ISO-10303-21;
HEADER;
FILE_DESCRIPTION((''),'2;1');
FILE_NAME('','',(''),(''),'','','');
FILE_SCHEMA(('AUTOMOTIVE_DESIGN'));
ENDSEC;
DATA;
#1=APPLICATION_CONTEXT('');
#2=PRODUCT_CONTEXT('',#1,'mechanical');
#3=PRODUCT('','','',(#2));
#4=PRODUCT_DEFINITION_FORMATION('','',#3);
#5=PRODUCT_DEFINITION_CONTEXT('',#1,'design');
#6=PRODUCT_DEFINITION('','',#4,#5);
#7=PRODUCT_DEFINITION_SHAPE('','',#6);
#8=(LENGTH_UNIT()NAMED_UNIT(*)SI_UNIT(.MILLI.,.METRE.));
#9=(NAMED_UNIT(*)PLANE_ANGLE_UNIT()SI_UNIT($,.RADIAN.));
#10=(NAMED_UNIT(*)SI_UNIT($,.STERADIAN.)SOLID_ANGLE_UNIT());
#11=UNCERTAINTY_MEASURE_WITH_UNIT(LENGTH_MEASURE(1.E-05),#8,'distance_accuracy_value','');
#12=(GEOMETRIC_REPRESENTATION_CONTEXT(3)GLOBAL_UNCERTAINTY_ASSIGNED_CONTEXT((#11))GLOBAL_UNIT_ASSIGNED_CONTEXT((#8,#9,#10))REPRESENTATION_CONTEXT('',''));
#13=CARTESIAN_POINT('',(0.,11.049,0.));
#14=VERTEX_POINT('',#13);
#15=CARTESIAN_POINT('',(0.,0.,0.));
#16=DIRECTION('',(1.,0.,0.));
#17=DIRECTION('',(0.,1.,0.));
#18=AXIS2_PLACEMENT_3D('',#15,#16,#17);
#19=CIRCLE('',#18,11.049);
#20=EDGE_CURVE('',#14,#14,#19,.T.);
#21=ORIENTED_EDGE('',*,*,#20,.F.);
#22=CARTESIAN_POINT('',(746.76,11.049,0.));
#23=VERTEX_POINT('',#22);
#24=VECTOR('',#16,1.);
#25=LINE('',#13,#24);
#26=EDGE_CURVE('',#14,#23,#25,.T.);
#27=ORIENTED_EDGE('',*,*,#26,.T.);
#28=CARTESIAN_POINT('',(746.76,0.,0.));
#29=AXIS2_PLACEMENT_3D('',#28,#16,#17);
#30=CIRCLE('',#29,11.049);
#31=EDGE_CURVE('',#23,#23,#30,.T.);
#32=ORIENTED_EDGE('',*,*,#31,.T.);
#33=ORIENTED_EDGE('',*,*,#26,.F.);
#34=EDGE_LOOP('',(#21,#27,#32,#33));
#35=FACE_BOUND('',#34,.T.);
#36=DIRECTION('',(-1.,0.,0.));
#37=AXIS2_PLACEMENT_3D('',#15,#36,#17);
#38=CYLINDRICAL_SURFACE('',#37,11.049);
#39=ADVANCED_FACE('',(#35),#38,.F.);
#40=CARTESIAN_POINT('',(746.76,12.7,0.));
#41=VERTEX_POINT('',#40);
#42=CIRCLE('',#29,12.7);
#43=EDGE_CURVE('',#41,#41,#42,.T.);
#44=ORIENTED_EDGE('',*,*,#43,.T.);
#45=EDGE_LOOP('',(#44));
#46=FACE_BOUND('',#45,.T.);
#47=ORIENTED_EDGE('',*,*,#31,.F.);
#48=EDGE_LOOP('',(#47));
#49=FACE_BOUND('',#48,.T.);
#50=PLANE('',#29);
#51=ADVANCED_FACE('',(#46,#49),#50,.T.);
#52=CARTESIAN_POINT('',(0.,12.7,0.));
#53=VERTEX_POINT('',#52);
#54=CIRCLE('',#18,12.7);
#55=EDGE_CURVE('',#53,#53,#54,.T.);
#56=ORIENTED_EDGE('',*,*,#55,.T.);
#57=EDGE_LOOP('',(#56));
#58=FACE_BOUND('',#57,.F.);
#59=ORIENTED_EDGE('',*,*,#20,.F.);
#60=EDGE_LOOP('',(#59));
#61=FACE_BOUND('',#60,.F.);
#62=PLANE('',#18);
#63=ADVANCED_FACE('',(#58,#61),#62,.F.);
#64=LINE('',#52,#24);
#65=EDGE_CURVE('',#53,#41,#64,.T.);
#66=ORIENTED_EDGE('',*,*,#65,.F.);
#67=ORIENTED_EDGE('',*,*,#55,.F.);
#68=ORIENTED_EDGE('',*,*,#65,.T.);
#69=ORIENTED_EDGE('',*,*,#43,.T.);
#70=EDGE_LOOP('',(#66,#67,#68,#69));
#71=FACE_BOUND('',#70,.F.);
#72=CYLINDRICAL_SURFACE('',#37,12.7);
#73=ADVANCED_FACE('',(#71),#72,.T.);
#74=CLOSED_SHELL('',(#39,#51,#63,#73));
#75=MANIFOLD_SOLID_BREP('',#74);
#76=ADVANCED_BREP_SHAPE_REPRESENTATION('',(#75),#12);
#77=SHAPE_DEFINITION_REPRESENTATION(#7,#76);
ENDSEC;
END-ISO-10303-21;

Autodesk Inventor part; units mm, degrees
ref_plane "XZ Plane" through (0, 0, 0) normal (0, 1, 0) x (-1, 0, 0)
ref_plane "Start Plane" through (0, 0, 0) normal (1, 0, 0) x (0, 1, 0)
ref_plane "End Plane" through (746.76, 0, 0) normal (1, 0, 0) x (0, 1, 0)
sketch "Sketch" plane through (0, 0, 0) normal (1, 0, 0) x (0, 1, 0)
  circle A0 centre (0, 0) radius 12.7
  circle A1 centre (0, 0) radius 11.049
  dimension "d0" = 25.4
  dimension "d1" = 1.651
extrude "Body" add sketch "Sketch" along normal up to surface (746.76 mm away) from surface at 0
sketch "Sketch2" plane through (0, 0, 0) normal (1, 0, 0) x (0, 1, 0)
  line L0 (0, 0) -> (10, 0)
ref_plane "Work Plane3" through (0, 0, 0) normal (0, 0, -1) x (0, 1, 0)
sketch "Sketch3" plane through (0, 0, 0) normal (0, 0, -1) x (0, 1, 0)
  line L0 (-2, 0) -> (12, 0)
  line L1 (-2, 746.76) -> (12, 746.76)
  dimension "d9" = 746.76
equation "\"G_OFFSET_START\" = 0"
equation "\"G_OFFSET_END\" = 0"
equation "\"d5\" = d2 + G_OFFSET_END"
equation "\"G_L\" = d9"
equation "\"d2\" = 746.76"
properties part number "4130_1x0.065" material "Steel, Alloy"
